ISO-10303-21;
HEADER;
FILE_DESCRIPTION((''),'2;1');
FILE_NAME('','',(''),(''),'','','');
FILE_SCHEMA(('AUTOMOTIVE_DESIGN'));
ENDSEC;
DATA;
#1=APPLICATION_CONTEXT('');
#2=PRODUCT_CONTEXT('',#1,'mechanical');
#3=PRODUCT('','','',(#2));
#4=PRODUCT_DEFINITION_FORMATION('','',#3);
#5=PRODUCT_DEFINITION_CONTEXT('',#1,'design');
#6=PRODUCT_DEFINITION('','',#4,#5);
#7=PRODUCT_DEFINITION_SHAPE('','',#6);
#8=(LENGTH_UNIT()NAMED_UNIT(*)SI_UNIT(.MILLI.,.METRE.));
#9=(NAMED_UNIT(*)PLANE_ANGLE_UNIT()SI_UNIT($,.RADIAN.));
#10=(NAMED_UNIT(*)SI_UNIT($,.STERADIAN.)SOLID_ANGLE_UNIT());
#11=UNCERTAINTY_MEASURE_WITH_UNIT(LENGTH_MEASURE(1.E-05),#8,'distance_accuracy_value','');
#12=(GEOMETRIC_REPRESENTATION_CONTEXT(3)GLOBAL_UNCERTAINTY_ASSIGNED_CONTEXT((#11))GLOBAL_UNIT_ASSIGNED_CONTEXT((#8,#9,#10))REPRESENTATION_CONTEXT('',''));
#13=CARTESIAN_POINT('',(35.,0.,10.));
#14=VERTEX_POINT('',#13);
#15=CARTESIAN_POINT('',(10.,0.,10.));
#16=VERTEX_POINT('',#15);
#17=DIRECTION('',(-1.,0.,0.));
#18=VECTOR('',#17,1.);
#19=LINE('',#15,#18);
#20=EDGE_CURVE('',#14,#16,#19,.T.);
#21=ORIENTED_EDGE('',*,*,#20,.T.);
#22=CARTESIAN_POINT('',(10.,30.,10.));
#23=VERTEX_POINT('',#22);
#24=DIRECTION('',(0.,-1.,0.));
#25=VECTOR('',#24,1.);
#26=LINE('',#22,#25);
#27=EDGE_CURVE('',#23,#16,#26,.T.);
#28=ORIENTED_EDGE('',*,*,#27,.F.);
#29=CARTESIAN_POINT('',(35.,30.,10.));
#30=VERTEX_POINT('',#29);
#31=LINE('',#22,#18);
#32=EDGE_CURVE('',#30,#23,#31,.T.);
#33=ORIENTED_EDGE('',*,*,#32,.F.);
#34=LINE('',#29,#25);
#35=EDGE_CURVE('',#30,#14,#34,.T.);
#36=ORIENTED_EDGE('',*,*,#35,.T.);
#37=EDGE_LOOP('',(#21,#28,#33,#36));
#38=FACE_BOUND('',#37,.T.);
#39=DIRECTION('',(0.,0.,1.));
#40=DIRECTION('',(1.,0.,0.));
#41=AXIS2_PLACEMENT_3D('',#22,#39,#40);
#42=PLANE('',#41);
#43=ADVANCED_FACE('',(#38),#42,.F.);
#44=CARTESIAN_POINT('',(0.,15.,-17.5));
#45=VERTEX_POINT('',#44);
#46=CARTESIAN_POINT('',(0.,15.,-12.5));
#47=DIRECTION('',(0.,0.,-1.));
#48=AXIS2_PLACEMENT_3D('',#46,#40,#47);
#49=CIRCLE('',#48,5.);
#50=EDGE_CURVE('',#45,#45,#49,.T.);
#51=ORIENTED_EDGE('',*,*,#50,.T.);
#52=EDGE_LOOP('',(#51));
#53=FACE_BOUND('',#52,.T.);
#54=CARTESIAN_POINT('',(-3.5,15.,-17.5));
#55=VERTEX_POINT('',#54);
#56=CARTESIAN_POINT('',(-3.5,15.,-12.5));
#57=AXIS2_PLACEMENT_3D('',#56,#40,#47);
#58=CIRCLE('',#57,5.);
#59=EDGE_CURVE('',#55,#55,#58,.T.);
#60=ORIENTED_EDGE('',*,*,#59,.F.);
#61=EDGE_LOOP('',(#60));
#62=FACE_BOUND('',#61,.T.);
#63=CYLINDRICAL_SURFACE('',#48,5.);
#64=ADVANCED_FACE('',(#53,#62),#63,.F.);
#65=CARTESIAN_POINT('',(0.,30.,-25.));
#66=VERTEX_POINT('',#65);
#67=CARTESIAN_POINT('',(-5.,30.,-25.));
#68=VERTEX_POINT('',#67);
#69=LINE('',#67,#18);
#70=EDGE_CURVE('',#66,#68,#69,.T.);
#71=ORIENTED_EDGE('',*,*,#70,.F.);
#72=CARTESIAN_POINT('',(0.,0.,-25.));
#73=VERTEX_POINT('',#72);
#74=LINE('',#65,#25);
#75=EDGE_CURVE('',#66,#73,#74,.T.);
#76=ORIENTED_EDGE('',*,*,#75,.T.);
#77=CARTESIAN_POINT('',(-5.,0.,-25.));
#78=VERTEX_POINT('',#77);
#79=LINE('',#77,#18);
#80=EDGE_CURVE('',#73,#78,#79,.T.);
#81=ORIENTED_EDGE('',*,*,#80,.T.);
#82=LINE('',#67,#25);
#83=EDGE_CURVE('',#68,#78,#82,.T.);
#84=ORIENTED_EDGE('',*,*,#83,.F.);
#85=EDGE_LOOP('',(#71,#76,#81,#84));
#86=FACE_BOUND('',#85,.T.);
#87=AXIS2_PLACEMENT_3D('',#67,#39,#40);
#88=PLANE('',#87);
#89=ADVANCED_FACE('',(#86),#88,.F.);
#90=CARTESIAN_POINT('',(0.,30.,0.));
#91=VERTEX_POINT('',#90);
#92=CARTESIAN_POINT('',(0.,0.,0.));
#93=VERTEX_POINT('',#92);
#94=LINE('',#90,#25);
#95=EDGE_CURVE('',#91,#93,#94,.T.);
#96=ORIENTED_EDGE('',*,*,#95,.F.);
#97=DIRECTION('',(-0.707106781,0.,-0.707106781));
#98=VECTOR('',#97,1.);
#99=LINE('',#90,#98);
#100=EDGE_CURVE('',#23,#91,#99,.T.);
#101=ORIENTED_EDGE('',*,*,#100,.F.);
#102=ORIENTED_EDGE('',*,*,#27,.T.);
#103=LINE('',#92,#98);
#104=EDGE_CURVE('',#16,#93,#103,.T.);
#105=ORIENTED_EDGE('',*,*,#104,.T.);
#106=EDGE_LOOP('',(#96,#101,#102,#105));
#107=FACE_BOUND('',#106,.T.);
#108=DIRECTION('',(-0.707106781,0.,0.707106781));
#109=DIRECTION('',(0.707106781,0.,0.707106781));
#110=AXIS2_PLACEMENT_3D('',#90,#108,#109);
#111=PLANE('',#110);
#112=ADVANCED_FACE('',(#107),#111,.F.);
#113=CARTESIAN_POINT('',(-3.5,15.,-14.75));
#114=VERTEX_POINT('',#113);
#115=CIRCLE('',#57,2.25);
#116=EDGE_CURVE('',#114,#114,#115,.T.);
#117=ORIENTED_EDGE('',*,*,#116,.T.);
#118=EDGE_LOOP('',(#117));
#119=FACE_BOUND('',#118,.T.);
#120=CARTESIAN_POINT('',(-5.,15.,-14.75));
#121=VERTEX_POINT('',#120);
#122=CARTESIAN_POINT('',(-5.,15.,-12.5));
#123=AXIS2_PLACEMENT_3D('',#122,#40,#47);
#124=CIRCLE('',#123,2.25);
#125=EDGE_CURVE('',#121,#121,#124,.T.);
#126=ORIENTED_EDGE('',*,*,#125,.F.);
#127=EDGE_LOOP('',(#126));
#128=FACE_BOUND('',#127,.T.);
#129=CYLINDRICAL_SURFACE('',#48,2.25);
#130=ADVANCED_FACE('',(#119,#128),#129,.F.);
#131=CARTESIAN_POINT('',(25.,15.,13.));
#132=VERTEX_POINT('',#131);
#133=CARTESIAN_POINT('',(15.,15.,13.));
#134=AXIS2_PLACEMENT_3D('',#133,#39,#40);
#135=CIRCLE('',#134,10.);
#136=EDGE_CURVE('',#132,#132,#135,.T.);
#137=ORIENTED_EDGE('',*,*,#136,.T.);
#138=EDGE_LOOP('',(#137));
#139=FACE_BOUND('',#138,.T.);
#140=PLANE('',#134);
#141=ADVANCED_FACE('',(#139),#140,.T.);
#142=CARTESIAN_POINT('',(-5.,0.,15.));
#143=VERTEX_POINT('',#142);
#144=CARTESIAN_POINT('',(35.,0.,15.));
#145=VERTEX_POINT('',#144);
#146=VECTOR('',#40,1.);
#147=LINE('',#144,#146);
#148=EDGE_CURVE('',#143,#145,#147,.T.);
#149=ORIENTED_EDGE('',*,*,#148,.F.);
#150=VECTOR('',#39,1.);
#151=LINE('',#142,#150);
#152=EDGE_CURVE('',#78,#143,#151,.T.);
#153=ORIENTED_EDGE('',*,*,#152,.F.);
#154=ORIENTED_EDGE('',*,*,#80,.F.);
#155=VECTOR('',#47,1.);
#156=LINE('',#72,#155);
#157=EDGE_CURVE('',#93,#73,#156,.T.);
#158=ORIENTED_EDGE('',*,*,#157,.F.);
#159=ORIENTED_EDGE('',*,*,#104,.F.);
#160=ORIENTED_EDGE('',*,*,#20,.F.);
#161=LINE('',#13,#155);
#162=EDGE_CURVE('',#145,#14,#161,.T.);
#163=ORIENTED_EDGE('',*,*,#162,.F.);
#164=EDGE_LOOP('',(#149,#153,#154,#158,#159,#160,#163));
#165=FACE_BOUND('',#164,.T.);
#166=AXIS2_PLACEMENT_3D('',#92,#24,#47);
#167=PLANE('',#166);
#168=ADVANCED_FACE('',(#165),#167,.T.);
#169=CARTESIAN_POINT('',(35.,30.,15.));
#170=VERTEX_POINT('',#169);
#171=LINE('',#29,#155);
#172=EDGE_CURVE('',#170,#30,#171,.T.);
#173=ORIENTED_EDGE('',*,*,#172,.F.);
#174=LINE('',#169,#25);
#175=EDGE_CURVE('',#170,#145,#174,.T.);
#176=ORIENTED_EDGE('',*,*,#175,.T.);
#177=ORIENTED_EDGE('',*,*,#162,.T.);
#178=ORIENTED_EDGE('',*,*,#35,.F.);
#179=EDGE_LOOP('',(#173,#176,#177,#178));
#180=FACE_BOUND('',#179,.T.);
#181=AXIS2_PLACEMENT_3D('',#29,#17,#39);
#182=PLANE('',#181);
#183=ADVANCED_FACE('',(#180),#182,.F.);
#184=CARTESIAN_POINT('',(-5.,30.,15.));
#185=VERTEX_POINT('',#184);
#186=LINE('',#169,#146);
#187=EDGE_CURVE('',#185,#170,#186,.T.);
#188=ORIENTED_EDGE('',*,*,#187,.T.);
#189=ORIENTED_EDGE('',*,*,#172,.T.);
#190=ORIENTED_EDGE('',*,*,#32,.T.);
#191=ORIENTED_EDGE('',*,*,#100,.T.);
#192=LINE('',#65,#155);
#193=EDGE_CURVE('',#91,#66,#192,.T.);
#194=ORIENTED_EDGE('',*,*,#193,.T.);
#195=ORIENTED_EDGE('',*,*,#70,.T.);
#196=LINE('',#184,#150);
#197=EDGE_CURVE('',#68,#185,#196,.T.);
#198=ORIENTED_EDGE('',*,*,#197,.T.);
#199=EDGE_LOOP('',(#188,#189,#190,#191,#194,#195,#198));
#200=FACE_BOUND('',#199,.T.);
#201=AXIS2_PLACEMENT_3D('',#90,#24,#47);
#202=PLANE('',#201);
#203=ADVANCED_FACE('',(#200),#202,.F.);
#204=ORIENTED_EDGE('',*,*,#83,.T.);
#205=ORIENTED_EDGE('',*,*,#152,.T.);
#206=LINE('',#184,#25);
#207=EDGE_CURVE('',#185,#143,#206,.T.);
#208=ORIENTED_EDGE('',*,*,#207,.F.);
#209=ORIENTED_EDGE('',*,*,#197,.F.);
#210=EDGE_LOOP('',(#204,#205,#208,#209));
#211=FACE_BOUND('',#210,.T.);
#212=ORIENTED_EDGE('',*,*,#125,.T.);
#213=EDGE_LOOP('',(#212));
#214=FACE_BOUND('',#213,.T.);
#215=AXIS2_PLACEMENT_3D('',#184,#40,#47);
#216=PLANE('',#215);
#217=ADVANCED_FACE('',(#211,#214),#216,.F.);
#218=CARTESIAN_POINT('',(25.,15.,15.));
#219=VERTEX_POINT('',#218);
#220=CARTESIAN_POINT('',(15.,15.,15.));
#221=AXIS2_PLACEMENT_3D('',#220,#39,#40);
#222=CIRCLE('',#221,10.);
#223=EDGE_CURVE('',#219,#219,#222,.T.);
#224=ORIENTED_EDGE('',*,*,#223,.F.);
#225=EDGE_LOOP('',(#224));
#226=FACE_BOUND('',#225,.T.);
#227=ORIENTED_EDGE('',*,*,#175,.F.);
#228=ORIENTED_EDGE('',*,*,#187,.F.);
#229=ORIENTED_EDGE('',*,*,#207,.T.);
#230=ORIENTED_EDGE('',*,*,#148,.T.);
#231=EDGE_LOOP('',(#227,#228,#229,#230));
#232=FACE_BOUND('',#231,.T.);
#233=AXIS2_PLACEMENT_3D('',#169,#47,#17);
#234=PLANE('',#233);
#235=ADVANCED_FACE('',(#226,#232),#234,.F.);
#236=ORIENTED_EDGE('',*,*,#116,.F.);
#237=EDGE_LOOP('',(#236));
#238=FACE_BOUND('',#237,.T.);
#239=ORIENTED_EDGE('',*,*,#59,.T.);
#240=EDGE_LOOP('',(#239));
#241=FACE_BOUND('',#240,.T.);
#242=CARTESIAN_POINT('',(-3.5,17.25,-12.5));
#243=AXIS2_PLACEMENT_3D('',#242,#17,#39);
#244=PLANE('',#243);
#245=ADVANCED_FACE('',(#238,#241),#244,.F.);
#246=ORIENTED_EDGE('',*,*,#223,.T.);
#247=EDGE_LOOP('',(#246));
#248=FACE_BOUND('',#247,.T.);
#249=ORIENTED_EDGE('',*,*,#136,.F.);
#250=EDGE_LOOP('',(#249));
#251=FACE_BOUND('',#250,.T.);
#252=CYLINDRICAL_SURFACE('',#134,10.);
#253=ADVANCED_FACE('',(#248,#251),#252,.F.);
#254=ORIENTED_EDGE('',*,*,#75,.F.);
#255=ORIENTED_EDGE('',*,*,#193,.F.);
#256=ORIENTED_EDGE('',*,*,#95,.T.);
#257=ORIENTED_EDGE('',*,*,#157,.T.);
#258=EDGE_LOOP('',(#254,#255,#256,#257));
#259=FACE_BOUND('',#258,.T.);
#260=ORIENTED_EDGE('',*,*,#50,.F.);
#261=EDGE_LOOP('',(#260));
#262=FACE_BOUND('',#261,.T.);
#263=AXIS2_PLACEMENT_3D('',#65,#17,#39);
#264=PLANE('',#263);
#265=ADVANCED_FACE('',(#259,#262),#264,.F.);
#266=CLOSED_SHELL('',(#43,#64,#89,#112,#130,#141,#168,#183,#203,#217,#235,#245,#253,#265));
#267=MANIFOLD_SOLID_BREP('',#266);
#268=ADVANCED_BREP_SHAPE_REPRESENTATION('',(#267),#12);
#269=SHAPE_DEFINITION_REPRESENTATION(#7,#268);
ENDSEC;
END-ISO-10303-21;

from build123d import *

# Parameters (mm, degrees)
ESTRUSIONE_ESTRUSIONE2_DEPTH                         = 30
FORO_LAMATO_PER_VITE_M4_A_TESTA_CILINDRI_D           = 4.5
FORO_LAMATO_PER_VITE_M4_A_TESTA_CILINDRI_DEPTH       = 15
FORO_LAMATO_PER_VITE_M4_A_TESTA_CILINDRI_CBORE_D     = 10
FORO_LAMATO_PER_VITE_M4_A_TESTA_CILINDRI_CBORE_DEPTH = 3.5
FORO_LAMATO_PER_VITE_M4_A_TESTA_CILINDRI_TIP         = 1.351936393
SCHIZZO6_R                                           = 10
TAGLIO_ESTRUSIONE1_DEPTH                             = 2


with BuildPart() as part:
    # Schizzo2 → Estrusione-Estrusione2 (new body)
    with BuildSketch(Plane(origin=(0, 0, 0), x_dir=(1, 0, 0), z_dir=(0, 1, 0))):
        Polygon((0, 25), (0, 0), (10, -10), (35, -10), (35, -15), (-5, -15), (-5, 25), align=None)
    extrude(amount=ESTRUSIONE_ESTRUSIONE2_DEPTH)

    # Foro lamato per Vite M4 a testa cilindrica piana-1
    with Locations(Plane(origin=(0, 0, 0), x_dir=(0, 0, -1), z_dir=(1, 0, 0))):
        with Locations((12.5, 15)):
            CounterBoreHole(FORO_LAMATO_PER_VITE_M4_A_TESTA_CILINDRI_D / 2, FORO_LAMATO_PER_VITE_M4_A_TESTA_CILINDRI_CBORE_D / 2, FORO_LAMATO_PER_VITE_M4_A_TESTA_CILINDRI_CBORE_DEPTH, depth=FORO_LAMATO_PER_VITE_M4_A_TESTA_CILINDRI_DEPTH)
            with Locations((0, 0, -(FORO_LAMATO_PER_VITE_M4_A_TESTA_CILINDRI_DEPTH + FORO_LAMATO_PER_VITE_M4_A_TESTA_CILINDRI_TIP / 2))):  # 118° drill point
                Cone(0, FORO_LAMATO_PER_VITE_M4_A_TESTA_CILINDRI_D / 2, FORO_LAMATO_PER_VITE_M4_A_TESTA_CILINDRI_TIP, mode=Mode.SUBTRACT)

    # Schizzo6 → Taglio-Estrusione1 (cut)
    with BuildSketch(Plane.XY.offset(15)):
        with Locations((15, 15)):
            Circle(SCHIZZO6_R)
    extrude(amount=-TAGLIO_ESTRUSIONE1_DEPTH, mode=Mode.SUBTRACT)


solid = part.part
